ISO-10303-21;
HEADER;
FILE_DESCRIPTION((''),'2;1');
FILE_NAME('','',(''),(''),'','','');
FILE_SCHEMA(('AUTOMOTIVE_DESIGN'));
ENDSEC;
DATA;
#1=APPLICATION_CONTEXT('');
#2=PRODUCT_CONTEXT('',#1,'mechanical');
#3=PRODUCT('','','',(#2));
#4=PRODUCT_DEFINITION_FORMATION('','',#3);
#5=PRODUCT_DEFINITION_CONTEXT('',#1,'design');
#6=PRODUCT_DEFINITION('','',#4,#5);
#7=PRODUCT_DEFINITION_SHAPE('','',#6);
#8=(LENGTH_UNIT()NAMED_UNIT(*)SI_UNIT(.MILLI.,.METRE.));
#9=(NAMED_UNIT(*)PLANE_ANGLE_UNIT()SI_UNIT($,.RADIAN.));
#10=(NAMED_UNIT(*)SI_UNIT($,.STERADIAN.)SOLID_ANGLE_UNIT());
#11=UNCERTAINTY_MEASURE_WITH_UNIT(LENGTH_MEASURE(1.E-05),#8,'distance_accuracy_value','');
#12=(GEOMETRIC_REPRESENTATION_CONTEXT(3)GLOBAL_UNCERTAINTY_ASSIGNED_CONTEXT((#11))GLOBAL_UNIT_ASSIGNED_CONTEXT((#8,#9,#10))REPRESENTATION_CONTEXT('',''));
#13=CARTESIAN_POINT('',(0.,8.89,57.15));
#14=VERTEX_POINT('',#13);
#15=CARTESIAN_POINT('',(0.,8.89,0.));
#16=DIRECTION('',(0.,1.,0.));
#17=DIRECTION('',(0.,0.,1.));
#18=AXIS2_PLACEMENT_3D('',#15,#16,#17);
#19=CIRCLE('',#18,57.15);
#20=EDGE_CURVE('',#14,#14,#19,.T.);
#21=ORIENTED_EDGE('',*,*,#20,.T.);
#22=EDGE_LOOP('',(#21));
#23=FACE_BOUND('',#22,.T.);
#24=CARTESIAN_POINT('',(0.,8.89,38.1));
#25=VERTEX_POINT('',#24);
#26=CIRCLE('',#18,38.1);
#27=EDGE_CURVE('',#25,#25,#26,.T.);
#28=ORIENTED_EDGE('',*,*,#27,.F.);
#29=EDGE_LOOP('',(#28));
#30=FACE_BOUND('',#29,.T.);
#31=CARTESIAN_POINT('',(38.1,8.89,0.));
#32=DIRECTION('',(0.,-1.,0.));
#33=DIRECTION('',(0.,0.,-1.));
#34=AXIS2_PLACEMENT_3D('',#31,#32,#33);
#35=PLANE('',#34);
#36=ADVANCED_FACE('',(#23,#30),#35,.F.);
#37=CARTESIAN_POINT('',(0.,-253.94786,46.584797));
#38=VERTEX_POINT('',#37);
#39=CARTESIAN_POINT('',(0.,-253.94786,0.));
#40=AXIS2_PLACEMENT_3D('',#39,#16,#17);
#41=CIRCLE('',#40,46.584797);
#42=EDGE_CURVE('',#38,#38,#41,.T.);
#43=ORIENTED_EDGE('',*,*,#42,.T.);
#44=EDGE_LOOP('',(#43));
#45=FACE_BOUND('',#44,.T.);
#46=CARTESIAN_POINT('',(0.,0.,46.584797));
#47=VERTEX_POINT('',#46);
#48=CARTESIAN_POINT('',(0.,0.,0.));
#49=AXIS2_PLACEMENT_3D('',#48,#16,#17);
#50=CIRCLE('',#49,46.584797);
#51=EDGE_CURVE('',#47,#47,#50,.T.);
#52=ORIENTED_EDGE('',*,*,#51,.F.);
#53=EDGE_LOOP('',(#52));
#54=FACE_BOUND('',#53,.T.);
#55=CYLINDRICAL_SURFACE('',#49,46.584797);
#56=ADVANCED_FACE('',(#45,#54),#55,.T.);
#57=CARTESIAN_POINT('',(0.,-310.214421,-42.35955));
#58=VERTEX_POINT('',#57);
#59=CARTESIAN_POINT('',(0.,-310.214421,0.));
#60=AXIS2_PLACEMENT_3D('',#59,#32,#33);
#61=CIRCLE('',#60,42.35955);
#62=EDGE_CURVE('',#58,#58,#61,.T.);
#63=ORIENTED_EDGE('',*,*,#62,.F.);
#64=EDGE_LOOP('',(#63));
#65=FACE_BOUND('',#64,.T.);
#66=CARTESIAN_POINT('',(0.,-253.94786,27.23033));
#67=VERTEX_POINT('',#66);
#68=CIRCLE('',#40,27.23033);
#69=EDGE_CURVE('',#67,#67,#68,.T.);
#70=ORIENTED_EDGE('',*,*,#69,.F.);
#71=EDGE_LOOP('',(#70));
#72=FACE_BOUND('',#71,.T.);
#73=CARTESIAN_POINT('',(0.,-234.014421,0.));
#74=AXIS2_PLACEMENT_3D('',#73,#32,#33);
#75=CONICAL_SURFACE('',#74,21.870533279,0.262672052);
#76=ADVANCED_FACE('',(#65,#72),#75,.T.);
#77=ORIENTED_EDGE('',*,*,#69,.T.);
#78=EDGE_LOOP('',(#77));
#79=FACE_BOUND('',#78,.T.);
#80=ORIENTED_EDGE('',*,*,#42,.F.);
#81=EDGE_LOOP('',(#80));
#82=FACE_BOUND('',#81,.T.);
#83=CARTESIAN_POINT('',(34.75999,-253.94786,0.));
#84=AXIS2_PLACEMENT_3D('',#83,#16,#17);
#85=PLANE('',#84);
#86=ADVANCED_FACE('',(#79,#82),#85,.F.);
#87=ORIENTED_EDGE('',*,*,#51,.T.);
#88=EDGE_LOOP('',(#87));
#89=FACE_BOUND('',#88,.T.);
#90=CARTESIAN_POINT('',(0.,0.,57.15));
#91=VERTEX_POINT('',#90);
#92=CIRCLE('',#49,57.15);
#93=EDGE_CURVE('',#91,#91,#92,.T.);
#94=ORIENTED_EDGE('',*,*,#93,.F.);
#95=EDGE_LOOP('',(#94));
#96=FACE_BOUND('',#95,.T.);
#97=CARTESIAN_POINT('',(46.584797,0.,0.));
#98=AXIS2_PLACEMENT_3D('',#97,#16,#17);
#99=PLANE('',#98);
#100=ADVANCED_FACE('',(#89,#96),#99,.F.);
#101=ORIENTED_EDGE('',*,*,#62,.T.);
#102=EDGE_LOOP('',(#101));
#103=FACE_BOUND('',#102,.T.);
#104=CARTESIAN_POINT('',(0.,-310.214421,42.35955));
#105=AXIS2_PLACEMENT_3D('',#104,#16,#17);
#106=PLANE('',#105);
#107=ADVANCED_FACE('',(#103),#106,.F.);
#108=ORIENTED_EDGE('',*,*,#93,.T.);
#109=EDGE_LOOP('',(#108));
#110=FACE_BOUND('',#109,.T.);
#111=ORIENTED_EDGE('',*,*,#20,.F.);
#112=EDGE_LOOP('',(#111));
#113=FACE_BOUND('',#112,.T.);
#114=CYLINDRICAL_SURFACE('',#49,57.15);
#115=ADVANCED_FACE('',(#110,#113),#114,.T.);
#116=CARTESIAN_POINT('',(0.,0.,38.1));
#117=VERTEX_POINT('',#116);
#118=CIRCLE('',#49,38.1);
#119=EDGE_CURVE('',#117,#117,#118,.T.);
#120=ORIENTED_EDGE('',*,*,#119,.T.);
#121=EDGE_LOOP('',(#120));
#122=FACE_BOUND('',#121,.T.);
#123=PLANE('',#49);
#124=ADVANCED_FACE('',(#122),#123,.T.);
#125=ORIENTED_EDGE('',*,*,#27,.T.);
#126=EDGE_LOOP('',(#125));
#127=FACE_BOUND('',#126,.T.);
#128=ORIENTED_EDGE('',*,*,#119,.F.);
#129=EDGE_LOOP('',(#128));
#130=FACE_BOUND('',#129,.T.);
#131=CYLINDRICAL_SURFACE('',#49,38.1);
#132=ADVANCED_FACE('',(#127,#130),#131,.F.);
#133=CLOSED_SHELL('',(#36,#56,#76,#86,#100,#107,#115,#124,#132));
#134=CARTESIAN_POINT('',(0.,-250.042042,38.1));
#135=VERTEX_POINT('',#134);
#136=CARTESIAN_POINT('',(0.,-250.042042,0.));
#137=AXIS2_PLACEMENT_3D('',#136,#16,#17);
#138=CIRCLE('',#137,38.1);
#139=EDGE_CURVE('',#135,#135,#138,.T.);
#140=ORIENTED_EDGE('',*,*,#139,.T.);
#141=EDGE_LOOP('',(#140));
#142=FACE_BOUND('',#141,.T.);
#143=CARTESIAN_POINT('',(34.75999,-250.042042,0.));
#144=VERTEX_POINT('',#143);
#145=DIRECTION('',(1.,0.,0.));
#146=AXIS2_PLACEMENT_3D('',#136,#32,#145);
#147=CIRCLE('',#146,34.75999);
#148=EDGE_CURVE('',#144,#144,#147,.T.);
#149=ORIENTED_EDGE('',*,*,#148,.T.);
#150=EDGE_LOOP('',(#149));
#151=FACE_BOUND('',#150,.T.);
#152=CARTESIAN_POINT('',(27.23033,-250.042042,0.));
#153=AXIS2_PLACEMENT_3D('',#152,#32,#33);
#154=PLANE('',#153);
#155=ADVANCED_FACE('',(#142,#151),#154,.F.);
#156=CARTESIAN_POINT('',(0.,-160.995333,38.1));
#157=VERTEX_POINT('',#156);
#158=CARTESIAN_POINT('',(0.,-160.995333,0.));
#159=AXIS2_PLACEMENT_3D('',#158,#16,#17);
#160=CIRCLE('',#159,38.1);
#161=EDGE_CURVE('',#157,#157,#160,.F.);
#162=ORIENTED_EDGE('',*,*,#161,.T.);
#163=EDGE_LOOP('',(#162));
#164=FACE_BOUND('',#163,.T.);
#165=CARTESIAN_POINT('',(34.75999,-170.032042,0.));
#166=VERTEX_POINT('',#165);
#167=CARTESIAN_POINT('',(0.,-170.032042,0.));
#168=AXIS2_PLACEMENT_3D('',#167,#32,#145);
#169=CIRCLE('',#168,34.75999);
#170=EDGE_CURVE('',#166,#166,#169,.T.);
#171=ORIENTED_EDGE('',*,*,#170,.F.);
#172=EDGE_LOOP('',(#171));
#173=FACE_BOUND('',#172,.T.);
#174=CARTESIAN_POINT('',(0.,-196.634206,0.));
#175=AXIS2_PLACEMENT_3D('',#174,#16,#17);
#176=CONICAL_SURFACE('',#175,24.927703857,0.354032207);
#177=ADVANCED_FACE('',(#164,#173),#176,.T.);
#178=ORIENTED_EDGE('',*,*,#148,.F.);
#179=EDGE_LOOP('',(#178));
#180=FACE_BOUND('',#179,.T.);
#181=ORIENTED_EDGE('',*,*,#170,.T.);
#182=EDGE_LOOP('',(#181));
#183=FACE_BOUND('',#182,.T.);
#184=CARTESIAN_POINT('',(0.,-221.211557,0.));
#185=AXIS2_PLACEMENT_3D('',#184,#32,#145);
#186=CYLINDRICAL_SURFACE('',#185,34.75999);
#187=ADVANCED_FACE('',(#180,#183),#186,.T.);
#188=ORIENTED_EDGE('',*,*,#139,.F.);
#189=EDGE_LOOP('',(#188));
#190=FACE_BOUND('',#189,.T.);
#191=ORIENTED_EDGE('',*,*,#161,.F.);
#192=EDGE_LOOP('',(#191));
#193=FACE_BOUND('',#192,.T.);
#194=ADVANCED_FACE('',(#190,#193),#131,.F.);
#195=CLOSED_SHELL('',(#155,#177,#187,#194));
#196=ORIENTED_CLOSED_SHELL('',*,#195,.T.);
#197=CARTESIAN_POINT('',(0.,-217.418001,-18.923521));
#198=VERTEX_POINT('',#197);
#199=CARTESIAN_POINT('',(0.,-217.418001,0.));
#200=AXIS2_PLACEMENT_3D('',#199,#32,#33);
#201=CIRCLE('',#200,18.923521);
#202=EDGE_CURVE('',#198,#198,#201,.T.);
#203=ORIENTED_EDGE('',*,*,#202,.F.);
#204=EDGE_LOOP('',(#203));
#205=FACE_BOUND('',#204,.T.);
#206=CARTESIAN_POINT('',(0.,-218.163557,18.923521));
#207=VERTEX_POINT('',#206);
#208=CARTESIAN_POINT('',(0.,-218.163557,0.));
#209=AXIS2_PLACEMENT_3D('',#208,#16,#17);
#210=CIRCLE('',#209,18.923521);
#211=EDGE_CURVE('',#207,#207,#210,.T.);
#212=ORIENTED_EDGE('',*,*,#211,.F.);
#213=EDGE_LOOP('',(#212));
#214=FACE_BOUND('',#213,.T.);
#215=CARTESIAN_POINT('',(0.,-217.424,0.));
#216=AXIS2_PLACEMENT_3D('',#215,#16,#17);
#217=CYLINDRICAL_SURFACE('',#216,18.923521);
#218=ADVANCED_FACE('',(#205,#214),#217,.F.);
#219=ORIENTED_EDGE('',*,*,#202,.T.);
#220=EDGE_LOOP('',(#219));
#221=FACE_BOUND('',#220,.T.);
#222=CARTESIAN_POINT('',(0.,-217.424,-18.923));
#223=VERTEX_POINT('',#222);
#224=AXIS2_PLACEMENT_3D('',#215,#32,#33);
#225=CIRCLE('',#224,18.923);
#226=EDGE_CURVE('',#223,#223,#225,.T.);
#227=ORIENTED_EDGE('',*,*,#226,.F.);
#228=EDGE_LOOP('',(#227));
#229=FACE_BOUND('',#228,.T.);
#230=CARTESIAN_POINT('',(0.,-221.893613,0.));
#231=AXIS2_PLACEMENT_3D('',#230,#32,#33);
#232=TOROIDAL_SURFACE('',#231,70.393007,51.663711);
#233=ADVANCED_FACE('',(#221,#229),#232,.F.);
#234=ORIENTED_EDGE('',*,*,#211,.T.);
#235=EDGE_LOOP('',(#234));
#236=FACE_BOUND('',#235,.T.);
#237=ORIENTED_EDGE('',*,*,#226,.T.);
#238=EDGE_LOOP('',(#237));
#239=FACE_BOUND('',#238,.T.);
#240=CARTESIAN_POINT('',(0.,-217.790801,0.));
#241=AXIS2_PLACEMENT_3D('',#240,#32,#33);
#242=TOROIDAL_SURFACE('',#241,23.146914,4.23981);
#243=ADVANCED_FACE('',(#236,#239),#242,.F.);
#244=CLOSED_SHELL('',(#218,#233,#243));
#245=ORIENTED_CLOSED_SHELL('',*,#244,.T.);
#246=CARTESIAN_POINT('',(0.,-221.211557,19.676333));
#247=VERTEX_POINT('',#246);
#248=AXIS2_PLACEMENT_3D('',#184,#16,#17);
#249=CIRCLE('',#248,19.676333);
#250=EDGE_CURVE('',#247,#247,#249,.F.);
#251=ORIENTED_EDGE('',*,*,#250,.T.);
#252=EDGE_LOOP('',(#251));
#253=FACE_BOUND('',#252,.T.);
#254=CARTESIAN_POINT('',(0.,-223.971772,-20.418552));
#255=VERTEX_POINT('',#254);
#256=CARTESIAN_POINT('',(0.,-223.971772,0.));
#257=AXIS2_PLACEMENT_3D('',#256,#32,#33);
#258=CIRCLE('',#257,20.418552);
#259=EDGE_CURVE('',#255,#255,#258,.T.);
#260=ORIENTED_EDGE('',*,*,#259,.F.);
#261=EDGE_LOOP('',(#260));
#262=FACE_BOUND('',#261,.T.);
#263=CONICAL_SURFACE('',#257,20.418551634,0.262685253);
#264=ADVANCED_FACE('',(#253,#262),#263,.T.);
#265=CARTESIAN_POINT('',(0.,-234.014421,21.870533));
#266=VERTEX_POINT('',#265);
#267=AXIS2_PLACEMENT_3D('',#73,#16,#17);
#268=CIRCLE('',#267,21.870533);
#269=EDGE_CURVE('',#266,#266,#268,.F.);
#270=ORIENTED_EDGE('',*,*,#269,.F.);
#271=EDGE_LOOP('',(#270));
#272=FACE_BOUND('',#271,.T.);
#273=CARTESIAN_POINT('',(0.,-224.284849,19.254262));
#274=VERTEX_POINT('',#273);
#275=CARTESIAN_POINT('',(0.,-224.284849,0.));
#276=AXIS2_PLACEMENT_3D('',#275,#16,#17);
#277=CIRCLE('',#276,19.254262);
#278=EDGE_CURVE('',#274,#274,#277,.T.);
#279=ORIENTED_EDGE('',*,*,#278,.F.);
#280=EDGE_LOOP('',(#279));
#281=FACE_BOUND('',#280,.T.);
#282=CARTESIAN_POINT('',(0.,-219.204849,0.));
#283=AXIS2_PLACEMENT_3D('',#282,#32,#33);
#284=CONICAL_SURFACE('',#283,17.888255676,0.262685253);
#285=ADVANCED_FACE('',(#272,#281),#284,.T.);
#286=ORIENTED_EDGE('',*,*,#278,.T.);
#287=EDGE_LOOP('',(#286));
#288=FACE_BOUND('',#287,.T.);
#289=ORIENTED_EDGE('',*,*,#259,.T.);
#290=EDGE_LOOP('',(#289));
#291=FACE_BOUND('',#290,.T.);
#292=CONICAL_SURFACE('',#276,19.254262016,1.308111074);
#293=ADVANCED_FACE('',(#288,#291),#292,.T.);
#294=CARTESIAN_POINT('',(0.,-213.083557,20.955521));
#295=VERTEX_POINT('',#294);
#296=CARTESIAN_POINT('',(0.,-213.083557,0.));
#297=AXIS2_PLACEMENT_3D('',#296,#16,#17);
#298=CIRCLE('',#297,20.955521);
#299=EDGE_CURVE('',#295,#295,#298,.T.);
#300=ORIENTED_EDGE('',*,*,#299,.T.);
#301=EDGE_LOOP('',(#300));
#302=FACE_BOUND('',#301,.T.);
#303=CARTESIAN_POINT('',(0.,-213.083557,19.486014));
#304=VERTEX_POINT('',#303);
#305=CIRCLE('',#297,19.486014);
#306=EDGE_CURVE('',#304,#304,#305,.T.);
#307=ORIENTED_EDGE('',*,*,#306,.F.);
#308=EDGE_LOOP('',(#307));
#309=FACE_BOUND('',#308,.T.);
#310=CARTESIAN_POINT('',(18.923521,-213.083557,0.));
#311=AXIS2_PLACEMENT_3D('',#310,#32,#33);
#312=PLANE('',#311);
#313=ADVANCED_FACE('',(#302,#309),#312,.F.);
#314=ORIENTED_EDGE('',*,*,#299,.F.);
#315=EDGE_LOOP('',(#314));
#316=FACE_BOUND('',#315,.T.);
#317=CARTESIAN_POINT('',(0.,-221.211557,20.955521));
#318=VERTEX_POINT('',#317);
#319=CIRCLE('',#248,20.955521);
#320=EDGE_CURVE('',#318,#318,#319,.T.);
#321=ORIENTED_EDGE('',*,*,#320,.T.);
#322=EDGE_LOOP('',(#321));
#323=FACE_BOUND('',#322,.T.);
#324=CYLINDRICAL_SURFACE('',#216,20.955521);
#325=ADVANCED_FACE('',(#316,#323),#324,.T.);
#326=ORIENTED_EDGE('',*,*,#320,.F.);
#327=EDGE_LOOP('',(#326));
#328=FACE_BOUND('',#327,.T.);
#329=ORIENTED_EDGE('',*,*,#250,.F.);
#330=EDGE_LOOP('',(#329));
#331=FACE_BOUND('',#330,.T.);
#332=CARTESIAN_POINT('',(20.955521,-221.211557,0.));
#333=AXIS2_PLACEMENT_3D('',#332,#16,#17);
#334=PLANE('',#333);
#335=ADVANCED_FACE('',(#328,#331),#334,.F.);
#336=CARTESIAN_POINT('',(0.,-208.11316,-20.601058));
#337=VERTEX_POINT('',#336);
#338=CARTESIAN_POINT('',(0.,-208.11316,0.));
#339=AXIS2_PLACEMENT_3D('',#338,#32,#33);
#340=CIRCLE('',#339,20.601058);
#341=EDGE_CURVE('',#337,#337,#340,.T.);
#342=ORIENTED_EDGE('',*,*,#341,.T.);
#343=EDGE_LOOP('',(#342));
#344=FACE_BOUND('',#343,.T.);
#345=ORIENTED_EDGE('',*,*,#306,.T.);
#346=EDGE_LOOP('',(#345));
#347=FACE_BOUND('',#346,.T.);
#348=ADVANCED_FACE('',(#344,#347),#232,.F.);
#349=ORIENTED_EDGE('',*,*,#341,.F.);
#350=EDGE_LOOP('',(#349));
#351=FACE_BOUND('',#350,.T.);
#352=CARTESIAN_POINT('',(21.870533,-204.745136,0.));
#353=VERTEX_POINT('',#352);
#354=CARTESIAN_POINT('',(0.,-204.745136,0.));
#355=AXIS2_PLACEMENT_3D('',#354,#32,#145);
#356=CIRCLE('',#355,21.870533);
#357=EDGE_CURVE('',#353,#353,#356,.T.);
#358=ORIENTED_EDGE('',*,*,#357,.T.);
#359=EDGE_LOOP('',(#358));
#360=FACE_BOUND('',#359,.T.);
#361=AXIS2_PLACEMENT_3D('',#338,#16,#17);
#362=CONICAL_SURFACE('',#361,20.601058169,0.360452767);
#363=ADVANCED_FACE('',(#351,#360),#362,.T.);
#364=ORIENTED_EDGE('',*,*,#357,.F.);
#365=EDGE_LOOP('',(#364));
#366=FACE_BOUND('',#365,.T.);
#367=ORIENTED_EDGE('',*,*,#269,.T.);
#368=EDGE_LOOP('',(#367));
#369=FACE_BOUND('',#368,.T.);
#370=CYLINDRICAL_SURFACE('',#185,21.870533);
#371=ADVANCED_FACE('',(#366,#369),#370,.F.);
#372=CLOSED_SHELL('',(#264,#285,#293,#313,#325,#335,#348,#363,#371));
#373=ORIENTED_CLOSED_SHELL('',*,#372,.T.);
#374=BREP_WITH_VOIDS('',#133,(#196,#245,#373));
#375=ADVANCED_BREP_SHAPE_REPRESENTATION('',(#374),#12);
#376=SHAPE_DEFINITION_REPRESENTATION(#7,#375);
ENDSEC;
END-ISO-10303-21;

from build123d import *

# Parameters (mm, degrees)
CUT_EXTRUDE1_DEPTH      = 42.656
CUT_EXTRUDE1_DEPTH_BACK = 42.656


with BuildPart() as part:
    # Sketch1 → CHAMBER GEOMETRY (revolve)
    with BuildSketch(Plane.XY):
        with BuildLine():
            Line((0, 0), (-38.1, 0))
            Line((-38.1, 0), (-38.1, -157.332041631))
            Line((-38.1, -157.332041631), (-19.331058169, -208.113159893))
            ThreePointArc((-19.331058169, -208.113159893), (-18.081947937, -212.694672543), (-17.653, -217.424))
            ThreePointArc((-17.653, -217.424), (-17.710909205, -218.322313303), (-17.888255676, -219.204848569))
            Line((-17.888255676, -219.204848569), (-41.656, -307.594))
            Line((-41.656, -307.594), (0, -307.594))
            Line((0, -307.594), (0, 0))
        make_face()
    revolve(axis=Axis((0, 0, 0), (0, -1, 0)))

    # Sketch3 → CF REVOLVE (revolve)
    with BuildSketch(Plane.XY):
        with BuildLine():
            ThreePointArc((19.052545295, -218.891772388), (18.923521318, -218.163557003), (18.923, -217.424))
            ThreePointArc((18.923, -217.424), (19.548451138, -212.730087586), (20.601058169, -208.113159893))
            Line((20.601058169, -208.113159893), (19.331058169, -208.113159893))
            ThreePointArc((19.331058169, -208.113159893), (18.081947937, -212.694672543), (17.653, -217.424))
            ThreePointArc((17.653, -217.424), (17.710909205, -218.322313303), (17.888255676, -219.204848569))
            Line((17.888255676, -219.204848569), (19.254262016, -224.284848569))
            Line((19.254262016, -224.284848569), (20.418551634, -223.971772388))
            Line((20.418551634, -223.971772388), (19.052545295, -218.891772388))
        make_face()
        Polygon((24.927703857, -196.634205845), (23.736466151, -196.193918747), (19.331058169, -208.113159893), (20.601058169, -208.113159893), align=None)
        Polygon((39.453969902, -157.332041631), (38.1, -157.332041631), (23.736466151, -196.193918747), (24.927703857, -196.634205845), align=None)
        Polygon((39.453969902, -132.003733221), (37.984578859, -132.003733221), (38.1, -157.332041631), (39.453969902, -157.332041631), align=None)
    revolve(axis=Axis((0, -217.424, 0), (0, 1, 0)))

    # Sketch4 → RTV/EPOXY (revolve)
    with BuildSketch(Plane.XY):
        Polygon((18.923521318, -218.163557003), (18.923521318, -213.083557003), (20.955521318, -213.083557003), (20.955521318, -221.211557003), (18.923521318, -221.211557003), align=None)
    revolve(axis=Axis((0, -217.424, 0), (0, -1, 0)))

    # Sketch6 → Cut-Extrude1 (cut, two sides)
    with BuildSketch(Plane.XY) as cut_extrude1_sk:
        Polygon((41.656, -307.594), (21.870533279, -234.014421294), (-21.870533279, -234.014421294), (-41.656, -307.594), align=None)
    extrude(amount=CUT_EXTRUDE1_DEPTH, mode=Mode.SUBTRACT)
    extrude(cut_extrude1_sk.sketch, amount=-CUT_EXTRUDE1_DEPTH_BACK, mode=Mode.SUBTRACT)

    # Sketch7 → DASHED RTV/EPOXY (revolve)
    with BuildSketch(Plane(origin=(0, 0, 0), x_dir=(0, 0, -1), z_dir=(1, 0, 0))):
        Polygon((-21.870533279, -234.014421294), (-42.359549747, -310.214421294), (0, -310.214421294), (0, -234.014421294), align=None)
    revolve(axis=Axis((0, -310.214421294, 0), (0, 1, 0)))

    # Sketch10 → DASHED RTV/EPOXY OVERHANG (revolve)
    with BuildSketch(Plane.XY):
        Polygon((21.870533279, -204.745135906), (34.75998975, -170.032041631), (34.75998975, -250.042041631), (26.180115655, -250.042041631), (21.870533279, -234.014421294), align=None)
    revolve(axis=Axis((0, -221.211557003, 0), (0, 1, 0)))

    # Sketch11 → BLUE TUBE (revolve)
    with BuildSketch(Plane.XY):
        Polygon((34.75998975, -253.947859685), (27.23033049, -253.947859685), (25.282654818, -253.947859685), (25.282654818, -250.042041631), (27.23033049, -250.042041631), (34.75998975, -250.042041631), (38.1, -250.042041631), (38.1, -132.003733221), (38.1, 0), (38.1, 8.89), (57.15, 8.89), (57.15, 0), (46.584796967, 0), (46.584796967, -253.947859685), align=None)
    revolve(axis=Axis((0, 0, 0), (0, -1, 0)))


solid = part.part
